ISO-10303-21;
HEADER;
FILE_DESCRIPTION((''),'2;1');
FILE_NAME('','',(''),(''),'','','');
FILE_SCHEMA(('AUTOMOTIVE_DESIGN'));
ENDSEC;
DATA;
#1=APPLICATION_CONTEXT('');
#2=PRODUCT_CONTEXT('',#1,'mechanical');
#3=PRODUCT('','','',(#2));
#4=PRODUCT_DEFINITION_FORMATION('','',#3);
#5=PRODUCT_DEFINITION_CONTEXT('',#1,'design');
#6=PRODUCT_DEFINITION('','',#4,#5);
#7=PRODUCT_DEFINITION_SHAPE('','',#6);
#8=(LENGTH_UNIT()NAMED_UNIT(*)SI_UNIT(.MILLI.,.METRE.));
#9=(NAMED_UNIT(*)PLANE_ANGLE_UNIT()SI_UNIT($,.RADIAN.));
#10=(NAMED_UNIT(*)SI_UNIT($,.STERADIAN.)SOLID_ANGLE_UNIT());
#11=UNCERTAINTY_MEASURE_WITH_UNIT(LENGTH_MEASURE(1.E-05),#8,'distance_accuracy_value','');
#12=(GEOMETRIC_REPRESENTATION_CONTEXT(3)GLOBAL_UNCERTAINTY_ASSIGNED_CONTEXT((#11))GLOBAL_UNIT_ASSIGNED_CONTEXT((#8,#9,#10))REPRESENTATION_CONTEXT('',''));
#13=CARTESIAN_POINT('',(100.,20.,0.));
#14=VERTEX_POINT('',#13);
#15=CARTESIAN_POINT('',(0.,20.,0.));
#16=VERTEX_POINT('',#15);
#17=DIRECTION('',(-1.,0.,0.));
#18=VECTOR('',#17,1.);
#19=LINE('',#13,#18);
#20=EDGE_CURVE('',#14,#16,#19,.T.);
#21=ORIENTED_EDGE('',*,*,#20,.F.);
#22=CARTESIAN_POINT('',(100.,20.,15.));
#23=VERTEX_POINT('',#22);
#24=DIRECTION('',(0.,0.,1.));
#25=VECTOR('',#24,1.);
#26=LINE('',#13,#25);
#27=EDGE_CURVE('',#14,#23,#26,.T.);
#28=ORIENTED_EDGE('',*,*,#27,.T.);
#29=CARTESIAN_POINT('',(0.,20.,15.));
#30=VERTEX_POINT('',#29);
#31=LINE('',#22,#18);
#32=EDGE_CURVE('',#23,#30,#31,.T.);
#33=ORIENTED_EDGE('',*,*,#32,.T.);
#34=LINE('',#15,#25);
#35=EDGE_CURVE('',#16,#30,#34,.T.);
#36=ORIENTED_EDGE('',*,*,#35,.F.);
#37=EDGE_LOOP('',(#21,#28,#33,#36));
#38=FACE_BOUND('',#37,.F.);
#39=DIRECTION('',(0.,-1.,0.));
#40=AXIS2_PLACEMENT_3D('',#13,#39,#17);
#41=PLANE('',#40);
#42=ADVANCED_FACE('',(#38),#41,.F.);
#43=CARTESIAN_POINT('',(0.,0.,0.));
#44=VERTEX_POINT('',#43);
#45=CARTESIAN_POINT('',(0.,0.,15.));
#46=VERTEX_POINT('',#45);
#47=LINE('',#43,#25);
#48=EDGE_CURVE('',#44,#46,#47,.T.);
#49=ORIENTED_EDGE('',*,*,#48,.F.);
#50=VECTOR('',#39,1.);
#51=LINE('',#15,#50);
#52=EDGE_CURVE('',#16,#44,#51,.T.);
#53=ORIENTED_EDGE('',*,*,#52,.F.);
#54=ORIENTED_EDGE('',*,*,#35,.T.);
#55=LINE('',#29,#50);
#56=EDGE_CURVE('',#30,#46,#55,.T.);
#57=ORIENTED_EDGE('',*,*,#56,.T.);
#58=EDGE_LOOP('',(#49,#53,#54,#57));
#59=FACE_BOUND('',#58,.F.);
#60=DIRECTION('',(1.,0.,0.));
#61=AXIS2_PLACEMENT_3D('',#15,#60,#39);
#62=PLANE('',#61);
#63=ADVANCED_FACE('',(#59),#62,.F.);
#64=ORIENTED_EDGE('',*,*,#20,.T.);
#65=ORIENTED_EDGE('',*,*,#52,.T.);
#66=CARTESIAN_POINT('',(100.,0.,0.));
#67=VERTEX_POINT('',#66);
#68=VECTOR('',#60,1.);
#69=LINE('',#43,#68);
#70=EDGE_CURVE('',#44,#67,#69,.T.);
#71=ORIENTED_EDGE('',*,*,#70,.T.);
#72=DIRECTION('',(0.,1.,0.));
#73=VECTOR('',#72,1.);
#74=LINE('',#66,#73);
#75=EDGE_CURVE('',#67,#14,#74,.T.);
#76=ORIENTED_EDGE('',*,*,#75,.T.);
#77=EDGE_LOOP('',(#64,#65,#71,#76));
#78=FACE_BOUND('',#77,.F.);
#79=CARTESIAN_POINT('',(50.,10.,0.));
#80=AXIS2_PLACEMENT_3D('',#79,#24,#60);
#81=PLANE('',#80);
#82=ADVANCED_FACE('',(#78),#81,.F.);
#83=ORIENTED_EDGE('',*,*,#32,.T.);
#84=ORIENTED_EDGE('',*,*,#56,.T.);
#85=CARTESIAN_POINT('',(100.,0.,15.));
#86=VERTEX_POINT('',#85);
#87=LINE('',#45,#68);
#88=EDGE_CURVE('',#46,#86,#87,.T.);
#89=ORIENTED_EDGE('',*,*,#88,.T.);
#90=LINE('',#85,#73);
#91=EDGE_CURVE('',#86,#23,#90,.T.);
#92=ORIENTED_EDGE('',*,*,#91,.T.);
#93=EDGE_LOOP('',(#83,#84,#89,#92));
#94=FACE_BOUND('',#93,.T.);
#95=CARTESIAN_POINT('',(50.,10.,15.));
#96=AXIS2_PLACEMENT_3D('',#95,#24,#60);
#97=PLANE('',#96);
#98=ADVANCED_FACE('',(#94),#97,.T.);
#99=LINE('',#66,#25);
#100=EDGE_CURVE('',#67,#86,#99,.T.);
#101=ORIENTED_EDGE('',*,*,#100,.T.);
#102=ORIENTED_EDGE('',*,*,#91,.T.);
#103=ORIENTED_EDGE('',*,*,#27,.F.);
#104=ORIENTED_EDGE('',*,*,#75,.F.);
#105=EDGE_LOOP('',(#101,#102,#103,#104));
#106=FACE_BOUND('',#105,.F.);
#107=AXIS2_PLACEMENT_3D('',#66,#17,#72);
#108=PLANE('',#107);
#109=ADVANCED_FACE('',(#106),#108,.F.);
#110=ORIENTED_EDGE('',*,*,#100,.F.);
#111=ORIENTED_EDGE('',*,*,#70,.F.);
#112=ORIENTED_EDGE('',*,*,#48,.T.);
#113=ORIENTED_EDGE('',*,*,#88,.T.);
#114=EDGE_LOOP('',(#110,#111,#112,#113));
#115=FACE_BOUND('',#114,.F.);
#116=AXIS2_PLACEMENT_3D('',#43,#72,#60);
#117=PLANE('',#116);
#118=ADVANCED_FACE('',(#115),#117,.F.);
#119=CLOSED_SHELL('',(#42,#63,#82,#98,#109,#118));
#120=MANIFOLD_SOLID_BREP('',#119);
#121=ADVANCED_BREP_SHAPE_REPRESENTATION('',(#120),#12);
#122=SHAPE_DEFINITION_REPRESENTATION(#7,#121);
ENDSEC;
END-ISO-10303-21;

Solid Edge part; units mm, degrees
sketch "Sketch1" plane through (0, 0, 0) normal (0, 0, 1) x (1, 0, 0)
  line L0 (0, 0) -> (100, 0)
  line L1 (100, 0) -> (100, 20)
  line L2 (100, 20) -> (0, 20)
  line L3 (0, 20) -> (0, 0)
  dimension "D1" = 20
  dimension "D2" = 100
  dimension "D3" = 100
  dimension "D4" = 20
extrude "Protrusion1" add sketch "Sketch1" along normal blind 15
